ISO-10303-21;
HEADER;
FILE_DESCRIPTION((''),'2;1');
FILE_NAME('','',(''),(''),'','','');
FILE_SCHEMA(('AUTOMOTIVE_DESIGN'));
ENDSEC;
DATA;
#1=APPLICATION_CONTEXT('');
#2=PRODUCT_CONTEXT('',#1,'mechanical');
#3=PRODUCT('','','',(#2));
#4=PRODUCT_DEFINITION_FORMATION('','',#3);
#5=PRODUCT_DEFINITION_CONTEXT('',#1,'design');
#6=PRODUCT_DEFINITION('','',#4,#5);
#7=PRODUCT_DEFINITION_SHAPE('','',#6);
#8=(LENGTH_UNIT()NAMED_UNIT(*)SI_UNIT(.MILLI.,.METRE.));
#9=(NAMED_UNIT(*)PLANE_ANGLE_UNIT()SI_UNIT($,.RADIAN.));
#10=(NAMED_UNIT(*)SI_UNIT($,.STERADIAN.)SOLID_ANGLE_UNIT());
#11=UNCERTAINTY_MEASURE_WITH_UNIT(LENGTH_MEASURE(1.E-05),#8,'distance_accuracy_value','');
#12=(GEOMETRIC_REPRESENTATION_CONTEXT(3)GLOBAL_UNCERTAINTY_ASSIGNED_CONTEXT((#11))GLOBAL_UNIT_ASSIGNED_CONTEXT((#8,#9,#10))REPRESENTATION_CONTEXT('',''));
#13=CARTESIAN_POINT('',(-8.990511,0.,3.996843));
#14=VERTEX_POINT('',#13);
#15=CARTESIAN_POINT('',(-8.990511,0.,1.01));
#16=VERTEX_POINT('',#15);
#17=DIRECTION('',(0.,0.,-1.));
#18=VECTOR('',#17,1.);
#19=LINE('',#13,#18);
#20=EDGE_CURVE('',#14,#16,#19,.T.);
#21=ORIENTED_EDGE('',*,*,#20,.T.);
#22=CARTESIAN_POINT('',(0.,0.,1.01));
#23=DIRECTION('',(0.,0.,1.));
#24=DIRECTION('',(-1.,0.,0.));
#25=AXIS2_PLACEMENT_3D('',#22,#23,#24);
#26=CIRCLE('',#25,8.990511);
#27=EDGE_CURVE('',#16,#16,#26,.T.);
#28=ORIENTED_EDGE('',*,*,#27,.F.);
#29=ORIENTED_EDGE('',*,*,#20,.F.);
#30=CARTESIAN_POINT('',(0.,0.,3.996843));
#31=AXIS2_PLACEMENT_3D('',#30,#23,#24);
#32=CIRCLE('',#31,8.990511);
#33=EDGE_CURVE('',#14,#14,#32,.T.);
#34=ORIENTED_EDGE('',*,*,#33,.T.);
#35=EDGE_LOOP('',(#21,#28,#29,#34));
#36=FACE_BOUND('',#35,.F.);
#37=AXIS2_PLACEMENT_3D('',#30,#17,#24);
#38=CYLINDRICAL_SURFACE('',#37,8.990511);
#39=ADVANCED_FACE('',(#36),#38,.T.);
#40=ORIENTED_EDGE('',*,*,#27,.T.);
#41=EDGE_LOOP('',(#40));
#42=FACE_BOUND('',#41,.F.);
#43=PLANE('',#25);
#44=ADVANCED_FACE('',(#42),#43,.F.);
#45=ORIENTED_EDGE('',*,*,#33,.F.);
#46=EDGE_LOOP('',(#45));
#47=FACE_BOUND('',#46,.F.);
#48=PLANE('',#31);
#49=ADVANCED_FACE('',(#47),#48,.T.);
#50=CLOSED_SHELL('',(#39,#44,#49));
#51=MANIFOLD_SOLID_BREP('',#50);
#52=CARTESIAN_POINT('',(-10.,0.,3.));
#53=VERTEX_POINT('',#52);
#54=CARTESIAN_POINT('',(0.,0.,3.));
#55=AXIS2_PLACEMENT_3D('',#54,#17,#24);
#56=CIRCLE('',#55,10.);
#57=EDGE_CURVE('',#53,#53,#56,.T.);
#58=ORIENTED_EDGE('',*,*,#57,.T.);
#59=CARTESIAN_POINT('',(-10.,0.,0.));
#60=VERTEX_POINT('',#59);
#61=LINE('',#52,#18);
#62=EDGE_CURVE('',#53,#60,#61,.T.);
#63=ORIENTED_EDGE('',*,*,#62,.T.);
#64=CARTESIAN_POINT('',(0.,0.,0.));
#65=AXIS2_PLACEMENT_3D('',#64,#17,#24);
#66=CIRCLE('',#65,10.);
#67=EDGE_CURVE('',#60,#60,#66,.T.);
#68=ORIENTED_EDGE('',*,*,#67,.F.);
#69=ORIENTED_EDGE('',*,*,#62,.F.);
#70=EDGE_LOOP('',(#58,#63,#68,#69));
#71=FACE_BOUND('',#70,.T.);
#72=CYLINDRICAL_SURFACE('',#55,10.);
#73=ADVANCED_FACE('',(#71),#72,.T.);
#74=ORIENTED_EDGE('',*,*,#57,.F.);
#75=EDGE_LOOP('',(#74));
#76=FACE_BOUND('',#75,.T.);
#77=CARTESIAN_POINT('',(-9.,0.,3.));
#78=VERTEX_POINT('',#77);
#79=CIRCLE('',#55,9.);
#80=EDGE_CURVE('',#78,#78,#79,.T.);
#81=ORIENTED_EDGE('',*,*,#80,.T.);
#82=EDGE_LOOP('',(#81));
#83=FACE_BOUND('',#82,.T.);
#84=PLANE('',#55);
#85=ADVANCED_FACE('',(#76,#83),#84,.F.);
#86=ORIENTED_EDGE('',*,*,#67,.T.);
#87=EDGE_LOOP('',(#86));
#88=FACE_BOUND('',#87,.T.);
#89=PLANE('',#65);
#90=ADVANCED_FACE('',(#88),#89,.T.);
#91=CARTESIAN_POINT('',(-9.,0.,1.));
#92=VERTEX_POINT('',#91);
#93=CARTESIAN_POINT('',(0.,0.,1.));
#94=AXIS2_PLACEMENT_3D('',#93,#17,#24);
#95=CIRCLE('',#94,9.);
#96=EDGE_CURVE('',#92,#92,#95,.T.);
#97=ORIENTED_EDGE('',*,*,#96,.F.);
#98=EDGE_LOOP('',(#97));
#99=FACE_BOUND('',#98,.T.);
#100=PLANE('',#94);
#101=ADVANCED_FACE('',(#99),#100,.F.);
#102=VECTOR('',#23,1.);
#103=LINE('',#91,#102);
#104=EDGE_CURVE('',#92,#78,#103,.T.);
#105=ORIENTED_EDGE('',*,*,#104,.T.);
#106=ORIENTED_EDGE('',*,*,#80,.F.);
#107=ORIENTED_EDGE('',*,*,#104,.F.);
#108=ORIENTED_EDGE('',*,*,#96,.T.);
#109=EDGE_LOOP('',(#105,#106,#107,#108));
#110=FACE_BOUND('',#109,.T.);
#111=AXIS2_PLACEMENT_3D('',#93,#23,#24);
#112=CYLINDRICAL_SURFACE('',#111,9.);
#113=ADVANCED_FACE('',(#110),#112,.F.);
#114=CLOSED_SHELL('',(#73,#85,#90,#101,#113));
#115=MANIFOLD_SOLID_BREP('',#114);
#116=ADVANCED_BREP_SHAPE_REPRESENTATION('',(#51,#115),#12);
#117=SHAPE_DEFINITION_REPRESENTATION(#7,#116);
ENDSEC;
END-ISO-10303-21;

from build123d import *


with BuildPart() as f2:
    # F1 (on face) → F2 (revolve)
    with BuildSketch(Plane.XZ):
        Polygon((0, 3.996843), (-8.990511, 3.996843), (-8.990511, 2.996843), (-8.990511, 1.01), (0, 1.01), align=None)
    revolve(axis=Axis((0, 0, 2.503422), (0, 0, 1)))


with BuildPart() as f3:
    # F0 (on Front) → F3 (revolve)
    with BuildSketch(Plane.XZ):
        Polygon((-10, 0), (0, 0), (0, 1), (-9, 1), (-9, 3), (-10, 3), align=None)
    revolve(axis=Axis((0, 0, 0.5), (0, 0, -1)))


solid = Compound([f2.part, f3.part])
